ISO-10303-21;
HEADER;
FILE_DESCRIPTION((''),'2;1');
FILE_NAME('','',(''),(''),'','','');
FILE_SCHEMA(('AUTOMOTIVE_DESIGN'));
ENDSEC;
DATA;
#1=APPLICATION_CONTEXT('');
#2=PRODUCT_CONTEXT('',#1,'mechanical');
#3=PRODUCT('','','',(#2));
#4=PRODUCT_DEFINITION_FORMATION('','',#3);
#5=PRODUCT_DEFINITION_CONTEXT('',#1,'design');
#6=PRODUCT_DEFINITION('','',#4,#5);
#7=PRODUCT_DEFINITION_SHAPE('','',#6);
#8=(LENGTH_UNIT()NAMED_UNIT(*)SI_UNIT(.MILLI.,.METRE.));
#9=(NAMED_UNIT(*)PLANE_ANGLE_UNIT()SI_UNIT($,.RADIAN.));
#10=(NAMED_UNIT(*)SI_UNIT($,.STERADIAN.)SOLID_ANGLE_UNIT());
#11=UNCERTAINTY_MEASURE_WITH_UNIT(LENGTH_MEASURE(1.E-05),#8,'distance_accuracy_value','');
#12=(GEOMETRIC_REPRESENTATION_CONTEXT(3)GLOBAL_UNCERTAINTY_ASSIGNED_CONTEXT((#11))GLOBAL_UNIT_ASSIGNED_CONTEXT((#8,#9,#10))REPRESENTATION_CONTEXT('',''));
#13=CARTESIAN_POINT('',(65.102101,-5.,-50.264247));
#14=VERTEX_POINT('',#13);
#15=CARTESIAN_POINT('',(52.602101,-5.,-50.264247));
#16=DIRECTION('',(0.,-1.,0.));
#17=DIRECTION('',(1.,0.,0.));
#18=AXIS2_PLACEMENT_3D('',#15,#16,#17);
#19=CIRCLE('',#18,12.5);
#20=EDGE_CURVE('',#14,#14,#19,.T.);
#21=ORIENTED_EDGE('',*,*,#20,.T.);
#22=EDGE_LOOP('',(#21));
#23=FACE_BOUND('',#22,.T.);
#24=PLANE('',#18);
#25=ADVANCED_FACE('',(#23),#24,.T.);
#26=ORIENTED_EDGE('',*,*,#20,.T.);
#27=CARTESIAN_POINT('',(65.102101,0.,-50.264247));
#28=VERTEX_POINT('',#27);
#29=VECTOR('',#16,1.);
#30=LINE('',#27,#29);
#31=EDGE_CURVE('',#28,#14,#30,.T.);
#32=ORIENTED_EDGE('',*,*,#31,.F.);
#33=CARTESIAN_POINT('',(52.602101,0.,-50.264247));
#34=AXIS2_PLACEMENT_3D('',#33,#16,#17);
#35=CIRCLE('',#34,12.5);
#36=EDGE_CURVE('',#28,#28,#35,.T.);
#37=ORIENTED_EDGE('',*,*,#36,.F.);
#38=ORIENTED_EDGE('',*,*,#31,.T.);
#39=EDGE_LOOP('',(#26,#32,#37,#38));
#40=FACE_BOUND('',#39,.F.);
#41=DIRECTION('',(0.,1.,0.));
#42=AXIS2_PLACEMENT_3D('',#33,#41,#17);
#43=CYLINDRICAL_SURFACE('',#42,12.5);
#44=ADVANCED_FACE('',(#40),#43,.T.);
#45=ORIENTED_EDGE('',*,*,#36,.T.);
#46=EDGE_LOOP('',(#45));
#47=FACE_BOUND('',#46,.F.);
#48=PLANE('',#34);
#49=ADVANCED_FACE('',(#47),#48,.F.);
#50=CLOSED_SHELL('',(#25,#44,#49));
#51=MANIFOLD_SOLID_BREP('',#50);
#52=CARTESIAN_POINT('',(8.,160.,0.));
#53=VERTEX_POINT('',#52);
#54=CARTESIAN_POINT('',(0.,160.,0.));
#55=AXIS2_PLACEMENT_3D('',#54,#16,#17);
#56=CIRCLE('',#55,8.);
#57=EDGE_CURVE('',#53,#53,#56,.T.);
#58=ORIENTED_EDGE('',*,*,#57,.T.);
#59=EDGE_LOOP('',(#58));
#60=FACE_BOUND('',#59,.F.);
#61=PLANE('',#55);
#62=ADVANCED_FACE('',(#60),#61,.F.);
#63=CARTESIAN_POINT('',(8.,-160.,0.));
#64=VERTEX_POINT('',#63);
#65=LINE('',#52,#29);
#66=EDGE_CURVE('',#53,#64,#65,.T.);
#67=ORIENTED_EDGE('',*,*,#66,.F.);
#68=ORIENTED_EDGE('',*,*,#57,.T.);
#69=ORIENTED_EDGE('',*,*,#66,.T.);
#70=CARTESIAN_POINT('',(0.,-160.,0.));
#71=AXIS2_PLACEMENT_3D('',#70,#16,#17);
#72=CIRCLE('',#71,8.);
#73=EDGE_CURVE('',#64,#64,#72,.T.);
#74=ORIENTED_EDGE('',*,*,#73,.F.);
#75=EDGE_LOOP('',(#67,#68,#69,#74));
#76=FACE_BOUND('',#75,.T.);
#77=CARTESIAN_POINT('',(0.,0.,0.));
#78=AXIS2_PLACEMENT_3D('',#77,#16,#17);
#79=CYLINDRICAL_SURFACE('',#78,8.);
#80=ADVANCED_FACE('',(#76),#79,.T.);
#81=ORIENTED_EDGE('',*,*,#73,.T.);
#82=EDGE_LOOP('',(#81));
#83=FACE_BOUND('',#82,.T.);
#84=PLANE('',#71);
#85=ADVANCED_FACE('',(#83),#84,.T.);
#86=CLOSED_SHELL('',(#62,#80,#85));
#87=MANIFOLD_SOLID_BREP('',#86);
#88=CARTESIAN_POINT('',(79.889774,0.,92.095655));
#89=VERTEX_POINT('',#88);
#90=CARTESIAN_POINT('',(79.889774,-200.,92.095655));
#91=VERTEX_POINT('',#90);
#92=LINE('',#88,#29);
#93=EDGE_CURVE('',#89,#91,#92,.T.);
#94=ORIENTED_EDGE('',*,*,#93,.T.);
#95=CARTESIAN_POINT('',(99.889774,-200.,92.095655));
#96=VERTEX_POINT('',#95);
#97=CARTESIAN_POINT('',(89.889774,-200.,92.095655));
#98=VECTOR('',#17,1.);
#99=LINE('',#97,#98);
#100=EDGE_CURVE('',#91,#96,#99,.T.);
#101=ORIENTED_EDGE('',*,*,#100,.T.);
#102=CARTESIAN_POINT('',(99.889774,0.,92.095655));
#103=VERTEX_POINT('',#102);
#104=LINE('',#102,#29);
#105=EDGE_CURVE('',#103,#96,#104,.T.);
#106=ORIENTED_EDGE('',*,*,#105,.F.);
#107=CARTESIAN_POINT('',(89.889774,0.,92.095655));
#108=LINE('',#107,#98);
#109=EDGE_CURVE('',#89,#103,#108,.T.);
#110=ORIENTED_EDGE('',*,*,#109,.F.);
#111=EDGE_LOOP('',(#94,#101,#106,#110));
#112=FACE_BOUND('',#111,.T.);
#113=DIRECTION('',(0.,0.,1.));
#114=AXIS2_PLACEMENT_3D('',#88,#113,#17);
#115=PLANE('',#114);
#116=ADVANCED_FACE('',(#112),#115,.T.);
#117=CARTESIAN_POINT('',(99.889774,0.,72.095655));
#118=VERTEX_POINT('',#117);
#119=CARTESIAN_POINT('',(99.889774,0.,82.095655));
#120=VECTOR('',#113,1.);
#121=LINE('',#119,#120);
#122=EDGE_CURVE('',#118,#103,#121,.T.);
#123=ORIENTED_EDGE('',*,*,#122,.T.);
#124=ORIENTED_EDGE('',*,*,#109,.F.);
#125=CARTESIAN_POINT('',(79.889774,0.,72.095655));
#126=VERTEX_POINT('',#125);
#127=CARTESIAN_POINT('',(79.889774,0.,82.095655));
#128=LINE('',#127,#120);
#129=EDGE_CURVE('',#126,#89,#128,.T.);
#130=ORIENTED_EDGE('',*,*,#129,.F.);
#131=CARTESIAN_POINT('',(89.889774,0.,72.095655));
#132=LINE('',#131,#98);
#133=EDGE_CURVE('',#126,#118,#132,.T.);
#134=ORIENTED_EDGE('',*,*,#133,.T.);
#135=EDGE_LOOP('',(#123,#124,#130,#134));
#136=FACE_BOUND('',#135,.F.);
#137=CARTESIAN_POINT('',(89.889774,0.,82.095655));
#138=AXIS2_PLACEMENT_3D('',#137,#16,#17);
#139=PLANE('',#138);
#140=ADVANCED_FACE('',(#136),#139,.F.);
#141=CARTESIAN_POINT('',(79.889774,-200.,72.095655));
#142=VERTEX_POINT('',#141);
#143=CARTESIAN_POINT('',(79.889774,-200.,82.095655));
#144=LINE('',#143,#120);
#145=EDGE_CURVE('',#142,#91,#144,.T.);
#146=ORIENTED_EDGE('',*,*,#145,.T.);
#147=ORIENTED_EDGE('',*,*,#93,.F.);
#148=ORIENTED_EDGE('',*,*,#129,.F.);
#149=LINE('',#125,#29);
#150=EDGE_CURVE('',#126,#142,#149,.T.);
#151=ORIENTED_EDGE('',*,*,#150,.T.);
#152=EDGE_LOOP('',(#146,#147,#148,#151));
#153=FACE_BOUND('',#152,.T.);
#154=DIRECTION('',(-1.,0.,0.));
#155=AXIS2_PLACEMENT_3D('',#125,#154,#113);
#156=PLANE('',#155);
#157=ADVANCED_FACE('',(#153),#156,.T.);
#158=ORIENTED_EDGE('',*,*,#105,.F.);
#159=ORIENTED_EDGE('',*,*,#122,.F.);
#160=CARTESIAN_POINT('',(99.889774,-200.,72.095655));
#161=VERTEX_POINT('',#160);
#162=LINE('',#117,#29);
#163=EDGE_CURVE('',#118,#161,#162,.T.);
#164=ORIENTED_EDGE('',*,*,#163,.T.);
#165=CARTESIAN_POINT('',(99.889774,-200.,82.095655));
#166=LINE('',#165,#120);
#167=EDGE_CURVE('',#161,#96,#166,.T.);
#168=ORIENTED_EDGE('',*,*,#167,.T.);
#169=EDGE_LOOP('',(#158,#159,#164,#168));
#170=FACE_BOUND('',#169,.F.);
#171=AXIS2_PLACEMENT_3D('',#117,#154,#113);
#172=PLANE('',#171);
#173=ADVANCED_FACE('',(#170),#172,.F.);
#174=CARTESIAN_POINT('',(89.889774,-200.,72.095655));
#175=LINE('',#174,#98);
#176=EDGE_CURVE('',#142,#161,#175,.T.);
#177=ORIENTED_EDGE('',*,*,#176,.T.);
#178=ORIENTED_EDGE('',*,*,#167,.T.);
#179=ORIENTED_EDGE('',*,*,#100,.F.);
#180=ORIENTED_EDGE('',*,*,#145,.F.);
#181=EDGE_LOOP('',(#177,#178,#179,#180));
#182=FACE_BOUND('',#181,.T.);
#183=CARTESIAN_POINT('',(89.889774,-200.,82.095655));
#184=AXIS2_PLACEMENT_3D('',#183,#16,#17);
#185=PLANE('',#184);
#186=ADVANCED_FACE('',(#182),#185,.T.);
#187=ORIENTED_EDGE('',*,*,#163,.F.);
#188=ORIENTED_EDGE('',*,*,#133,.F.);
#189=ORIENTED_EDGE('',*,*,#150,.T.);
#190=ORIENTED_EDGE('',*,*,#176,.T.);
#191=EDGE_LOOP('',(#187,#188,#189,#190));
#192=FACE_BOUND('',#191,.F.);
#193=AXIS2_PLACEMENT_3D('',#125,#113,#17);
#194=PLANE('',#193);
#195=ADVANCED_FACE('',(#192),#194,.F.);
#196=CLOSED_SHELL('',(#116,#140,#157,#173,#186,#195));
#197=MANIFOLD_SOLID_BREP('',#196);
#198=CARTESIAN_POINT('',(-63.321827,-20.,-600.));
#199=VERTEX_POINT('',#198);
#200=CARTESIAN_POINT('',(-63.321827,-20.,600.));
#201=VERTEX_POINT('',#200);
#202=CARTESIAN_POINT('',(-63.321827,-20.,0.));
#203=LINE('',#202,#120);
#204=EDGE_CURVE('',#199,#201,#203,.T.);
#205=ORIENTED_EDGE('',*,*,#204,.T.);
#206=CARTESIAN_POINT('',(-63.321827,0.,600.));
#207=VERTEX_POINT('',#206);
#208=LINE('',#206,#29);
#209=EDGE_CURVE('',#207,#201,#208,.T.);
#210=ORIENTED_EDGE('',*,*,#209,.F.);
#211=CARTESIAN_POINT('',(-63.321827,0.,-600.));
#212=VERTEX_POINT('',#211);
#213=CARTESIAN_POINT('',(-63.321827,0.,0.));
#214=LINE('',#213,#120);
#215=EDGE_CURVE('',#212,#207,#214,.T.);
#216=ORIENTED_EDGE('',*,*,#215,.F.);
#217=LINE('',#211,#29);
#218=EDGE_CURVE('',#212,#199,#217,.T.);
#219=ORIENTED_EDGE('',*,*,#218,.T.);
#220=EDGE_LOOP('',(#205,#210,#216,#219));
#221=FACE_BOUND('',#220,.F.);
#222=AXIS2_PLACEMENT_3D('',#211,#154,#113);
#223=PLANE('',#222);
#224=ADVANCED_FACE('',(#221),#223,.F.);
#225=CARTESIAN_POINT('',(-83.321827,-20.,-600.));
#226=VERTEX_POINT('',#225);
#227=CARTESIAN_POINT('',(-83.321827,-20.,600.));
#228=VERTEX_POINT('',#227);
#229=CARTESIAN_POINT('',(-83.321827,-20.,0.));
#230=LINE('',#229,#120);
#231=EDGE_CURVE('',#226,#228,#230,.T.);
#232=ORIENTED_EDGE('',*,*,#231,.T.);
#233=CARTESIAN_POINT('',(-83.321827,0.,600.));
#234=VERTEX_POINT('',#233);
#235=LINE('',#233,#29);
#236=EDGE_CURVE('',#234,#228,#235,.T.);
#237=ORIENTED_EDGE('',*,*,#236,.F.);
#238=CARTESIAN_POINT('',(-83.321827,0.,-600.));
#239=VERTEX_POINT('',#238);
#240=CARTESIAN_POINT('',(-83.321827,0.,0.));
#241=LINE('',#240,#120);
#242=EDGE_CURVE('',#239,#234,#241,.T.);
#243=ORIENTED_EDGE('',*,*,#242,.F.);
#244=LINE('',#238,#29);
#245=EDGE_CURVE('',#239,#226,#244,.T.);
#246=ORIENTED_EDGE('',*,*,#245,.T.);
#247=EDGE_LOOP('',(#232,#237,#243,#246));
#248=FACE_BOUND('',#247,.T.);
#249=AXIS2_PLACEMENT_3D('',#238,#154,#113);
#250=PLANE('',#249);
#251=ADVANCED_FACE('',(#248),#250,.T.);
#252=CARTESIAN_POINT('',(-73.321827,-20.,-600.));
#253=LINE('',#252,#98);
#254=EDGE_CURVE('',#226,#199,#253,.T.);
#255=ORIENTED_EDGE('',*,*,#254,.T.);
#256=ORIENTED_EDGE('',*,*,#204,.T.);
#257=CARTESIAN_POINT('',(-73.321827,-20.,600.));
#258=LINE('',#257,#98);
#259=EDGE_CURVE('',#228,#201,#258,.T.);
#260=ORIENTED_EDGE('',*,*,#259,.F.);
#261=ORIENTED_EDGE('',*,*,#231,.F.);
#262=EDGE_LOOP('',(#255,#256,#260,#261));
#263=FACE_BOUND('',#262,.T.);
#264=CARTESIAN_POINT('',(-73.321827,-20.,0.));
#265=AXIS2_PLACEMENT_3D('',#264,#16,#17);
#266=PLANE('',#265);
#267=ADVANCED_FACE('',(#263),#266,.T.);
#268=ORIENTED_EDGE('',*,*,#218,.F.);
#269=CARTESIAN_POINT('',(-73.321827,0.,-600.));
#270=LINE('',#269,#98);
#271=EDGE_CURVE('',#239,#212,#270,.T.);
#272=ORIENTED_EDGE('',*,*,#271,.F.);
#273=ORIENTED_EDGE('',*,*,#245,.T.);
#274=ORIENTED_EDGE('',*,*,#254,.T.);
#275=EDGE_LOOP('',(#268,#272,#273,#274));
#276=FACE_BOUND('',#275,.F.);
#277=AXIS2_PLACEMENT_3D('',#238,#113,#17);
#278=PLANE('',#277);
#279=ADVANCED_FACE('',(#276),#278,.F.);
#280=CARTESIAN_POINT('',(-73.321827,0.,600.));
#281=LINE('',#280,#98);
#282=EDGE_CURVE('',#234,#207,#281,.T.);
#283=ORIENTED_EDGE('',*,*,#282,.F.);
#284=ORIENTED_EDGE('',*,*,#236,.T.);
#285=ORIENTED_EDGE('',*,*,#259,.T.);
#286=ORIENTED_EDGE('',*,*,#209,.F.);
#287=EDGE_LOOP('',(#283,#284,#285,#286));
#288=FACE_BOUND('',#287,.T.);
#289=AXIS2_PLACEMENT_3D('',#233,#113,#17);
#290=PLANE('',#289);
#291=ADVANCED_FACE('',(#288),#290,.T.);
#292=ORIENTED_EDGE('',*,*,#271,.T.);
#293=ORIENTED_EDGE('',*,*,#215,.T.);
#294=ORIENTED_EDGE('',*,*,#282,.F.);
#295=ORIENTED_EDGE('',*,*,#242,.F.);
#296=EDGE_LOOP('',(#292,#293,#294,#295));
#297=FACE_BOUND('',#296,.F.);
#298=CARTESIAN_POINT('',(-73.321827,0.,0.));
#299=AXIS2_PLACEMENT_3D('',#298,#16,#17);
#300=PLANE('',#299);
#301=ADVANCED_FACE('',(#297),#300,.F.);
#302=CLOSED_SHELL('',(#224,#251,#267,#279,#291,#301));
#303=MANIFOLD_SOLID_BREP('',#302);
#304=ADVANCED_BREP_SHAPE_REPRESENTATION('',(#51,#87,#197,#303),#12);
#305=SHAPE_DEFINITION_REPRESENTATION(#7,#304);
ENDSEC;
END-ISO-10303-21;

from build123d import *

# Parameters (mm, degrees)
F0_R     = 8
F1_DEPTH = 160
F2_W     = 20
F2_H     = 1200
F3_DEPTH = 20
F4_W     = 20
F4_H     = 20
F5_DEPTH = 200
F6_R     = 12.5
F7_DEPTH = 5


with BuildPart() as f1:
    # F0 (on Front) → F1 (new body, symmetric)
    with BuildSketch(Plane.XZ):
        Circle(F0_R)
    extrude(amount=F1_DEPTH, both=True)


with BuildPart() as f3:
    # F2 (on Front) → F3 (new body)
    with BuildSketch(Plane.XZ):
        with Locations((-73.321827, 0)):
            Rectangle(F2_W, F2_H)
    extrude(amount=F3_DEPTH)


with BuildPart() as f5:
    # F4 (on Front) → F5 (new body)
    with BuildSketch(Plane.XZ):
        with Locations((89.889774, 82.095655)):
            Rectangle(F4_W, F4_H)
    extrude(amount=F5_DEPTH)


with BuildPart() as f7:
    # F6 (on Front) → F7 (new body)
    with BuildSketch(Plane.XZ):
        with Locations((52.602101, -50.264247)):
            Circle(F6_R)
    extrude(amount=F7_DEPTH)


solid = Compound([f1.part, f3.part, f5.part, f7.part])
